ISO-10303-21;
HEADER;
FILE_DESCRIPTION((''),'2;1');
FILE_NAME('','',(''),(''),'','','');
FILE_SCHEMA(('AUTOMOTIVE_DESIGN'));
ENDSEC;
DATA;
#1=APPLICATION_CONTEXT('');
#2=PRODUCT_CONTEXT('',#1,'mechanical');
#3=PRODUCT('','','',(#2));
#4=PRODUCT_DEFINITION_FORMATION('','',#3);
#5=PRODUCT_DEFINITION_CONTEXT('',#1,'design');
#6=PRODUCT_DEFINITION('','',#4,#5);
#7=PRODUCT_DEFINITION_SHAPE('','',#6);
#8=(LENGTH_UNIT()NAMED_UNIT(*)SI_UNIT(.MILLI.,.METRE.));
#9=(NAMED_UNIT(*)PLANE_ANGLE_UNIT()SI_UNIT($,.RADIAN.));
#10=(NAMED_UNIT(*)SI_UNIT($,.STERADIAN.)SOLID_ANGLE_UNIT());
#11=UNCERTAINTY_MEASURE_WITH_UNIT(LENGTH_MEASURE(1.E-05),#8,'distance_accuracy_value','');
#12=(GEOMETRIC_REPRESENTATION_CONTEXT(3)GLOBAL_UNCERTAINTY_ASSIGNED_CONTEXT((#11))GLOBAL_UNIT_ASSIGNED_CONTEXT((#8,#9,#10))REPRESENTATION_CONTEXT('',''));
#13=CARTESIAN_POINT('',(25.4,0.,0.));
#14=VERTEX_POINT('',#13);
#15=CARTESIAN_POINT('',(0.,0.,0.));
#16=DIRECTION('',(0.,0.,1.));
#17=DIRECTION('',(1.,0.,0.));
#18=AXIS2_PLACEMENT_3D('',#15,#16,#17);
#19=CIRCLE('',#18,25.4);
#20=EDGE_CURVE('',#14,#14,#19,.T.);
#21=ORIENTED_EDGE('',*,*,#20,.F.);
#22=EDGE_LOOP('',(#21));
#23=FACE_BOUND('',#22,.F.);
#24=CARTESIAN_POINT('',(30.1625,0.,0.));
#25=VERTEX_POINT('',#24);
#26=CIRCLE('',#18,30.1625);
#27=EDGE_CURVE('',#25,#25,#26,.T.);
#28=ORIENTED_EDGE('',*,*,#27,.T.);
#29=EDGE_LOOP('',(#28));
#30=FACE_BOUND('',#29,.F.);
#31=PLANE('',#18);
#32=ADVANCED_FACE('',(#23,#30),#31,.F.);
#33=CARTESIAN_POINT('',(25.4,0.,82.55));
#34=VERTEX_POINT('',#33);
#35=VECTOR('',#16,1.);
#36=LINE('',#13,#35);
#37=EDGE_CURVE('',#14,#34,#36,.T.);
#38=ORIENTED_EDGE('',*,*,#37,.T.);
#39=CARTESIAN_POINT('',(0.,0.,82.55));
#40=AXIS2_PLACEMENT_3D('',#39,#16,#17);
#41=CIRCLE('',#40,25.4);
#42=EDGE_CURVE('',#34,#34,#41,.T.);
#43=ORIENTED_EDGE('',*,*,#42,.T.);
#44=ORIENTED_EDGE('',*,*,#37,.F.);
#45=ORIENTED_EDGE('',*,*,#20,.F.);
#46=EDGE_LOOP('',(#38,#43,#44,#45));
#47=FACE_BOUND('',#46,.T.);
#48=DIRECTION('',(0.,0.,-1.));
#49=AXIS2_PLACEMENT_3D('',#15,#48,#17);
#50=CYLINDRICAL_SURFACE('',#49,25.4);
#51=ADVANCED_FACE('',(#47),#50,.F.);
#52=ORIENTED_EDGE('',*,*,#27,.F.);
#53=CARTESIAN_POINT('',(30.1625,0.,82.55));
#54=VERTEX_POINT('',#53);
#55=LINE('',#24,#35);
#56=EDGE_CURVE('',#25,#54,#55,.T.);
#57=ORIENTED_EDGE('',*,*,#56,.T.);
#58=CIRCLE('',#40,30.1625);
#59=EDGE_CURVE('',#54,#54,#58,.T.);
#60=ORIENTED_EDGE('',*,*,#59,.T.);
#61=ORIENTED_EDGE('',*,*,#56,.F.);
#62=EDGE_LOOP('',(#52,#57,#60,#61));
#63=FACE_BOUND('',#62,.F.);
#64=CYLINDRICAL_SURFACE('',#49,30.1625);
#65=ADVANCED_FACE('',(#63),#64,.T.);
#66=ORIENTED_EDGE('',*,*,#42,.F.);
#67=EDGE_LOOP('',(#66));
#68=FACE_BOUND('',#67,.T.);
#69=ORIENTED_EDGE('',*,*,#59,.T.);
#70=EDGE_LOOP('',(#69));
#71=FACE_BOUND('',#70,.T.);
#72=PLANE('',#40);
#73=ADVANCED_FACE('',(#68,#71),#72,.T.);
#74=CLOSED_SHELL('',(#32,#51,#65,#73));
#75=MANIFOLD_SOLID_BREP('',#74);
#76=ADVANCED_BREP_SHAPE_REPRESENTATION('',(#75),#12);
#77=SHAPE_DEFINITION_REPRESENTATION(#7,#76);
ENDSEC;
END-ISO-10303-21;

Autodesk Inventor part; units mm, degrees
ref_plane "YZ Plane" through (0, 0, 0) normal (1, 0, 0) x (0, 1, 0)
ref_plane "XZ Plane" through (0, 0, 0) normal (0, 1, 0) x (-1, 0, 0)
ref_plane "XY Plane" through (0, 0, 0) normal (0, 0, 1) x (1, 0, 0)
sketch "Sketch1" plane through (0, 0, 0) normal (0, 0, 1) x (1, 0, 0)
  circle A0 centre (0, 0) radius 25.4
  circle A1 centre (0, 0) radius 30.1625
  dimension "d0" = 60.325
  dimension "d2" = 50.8
extrude "Extrusion1" add sketch "Sketch1" along normal blind 82.55
properties part number "SHORT PIPE"
